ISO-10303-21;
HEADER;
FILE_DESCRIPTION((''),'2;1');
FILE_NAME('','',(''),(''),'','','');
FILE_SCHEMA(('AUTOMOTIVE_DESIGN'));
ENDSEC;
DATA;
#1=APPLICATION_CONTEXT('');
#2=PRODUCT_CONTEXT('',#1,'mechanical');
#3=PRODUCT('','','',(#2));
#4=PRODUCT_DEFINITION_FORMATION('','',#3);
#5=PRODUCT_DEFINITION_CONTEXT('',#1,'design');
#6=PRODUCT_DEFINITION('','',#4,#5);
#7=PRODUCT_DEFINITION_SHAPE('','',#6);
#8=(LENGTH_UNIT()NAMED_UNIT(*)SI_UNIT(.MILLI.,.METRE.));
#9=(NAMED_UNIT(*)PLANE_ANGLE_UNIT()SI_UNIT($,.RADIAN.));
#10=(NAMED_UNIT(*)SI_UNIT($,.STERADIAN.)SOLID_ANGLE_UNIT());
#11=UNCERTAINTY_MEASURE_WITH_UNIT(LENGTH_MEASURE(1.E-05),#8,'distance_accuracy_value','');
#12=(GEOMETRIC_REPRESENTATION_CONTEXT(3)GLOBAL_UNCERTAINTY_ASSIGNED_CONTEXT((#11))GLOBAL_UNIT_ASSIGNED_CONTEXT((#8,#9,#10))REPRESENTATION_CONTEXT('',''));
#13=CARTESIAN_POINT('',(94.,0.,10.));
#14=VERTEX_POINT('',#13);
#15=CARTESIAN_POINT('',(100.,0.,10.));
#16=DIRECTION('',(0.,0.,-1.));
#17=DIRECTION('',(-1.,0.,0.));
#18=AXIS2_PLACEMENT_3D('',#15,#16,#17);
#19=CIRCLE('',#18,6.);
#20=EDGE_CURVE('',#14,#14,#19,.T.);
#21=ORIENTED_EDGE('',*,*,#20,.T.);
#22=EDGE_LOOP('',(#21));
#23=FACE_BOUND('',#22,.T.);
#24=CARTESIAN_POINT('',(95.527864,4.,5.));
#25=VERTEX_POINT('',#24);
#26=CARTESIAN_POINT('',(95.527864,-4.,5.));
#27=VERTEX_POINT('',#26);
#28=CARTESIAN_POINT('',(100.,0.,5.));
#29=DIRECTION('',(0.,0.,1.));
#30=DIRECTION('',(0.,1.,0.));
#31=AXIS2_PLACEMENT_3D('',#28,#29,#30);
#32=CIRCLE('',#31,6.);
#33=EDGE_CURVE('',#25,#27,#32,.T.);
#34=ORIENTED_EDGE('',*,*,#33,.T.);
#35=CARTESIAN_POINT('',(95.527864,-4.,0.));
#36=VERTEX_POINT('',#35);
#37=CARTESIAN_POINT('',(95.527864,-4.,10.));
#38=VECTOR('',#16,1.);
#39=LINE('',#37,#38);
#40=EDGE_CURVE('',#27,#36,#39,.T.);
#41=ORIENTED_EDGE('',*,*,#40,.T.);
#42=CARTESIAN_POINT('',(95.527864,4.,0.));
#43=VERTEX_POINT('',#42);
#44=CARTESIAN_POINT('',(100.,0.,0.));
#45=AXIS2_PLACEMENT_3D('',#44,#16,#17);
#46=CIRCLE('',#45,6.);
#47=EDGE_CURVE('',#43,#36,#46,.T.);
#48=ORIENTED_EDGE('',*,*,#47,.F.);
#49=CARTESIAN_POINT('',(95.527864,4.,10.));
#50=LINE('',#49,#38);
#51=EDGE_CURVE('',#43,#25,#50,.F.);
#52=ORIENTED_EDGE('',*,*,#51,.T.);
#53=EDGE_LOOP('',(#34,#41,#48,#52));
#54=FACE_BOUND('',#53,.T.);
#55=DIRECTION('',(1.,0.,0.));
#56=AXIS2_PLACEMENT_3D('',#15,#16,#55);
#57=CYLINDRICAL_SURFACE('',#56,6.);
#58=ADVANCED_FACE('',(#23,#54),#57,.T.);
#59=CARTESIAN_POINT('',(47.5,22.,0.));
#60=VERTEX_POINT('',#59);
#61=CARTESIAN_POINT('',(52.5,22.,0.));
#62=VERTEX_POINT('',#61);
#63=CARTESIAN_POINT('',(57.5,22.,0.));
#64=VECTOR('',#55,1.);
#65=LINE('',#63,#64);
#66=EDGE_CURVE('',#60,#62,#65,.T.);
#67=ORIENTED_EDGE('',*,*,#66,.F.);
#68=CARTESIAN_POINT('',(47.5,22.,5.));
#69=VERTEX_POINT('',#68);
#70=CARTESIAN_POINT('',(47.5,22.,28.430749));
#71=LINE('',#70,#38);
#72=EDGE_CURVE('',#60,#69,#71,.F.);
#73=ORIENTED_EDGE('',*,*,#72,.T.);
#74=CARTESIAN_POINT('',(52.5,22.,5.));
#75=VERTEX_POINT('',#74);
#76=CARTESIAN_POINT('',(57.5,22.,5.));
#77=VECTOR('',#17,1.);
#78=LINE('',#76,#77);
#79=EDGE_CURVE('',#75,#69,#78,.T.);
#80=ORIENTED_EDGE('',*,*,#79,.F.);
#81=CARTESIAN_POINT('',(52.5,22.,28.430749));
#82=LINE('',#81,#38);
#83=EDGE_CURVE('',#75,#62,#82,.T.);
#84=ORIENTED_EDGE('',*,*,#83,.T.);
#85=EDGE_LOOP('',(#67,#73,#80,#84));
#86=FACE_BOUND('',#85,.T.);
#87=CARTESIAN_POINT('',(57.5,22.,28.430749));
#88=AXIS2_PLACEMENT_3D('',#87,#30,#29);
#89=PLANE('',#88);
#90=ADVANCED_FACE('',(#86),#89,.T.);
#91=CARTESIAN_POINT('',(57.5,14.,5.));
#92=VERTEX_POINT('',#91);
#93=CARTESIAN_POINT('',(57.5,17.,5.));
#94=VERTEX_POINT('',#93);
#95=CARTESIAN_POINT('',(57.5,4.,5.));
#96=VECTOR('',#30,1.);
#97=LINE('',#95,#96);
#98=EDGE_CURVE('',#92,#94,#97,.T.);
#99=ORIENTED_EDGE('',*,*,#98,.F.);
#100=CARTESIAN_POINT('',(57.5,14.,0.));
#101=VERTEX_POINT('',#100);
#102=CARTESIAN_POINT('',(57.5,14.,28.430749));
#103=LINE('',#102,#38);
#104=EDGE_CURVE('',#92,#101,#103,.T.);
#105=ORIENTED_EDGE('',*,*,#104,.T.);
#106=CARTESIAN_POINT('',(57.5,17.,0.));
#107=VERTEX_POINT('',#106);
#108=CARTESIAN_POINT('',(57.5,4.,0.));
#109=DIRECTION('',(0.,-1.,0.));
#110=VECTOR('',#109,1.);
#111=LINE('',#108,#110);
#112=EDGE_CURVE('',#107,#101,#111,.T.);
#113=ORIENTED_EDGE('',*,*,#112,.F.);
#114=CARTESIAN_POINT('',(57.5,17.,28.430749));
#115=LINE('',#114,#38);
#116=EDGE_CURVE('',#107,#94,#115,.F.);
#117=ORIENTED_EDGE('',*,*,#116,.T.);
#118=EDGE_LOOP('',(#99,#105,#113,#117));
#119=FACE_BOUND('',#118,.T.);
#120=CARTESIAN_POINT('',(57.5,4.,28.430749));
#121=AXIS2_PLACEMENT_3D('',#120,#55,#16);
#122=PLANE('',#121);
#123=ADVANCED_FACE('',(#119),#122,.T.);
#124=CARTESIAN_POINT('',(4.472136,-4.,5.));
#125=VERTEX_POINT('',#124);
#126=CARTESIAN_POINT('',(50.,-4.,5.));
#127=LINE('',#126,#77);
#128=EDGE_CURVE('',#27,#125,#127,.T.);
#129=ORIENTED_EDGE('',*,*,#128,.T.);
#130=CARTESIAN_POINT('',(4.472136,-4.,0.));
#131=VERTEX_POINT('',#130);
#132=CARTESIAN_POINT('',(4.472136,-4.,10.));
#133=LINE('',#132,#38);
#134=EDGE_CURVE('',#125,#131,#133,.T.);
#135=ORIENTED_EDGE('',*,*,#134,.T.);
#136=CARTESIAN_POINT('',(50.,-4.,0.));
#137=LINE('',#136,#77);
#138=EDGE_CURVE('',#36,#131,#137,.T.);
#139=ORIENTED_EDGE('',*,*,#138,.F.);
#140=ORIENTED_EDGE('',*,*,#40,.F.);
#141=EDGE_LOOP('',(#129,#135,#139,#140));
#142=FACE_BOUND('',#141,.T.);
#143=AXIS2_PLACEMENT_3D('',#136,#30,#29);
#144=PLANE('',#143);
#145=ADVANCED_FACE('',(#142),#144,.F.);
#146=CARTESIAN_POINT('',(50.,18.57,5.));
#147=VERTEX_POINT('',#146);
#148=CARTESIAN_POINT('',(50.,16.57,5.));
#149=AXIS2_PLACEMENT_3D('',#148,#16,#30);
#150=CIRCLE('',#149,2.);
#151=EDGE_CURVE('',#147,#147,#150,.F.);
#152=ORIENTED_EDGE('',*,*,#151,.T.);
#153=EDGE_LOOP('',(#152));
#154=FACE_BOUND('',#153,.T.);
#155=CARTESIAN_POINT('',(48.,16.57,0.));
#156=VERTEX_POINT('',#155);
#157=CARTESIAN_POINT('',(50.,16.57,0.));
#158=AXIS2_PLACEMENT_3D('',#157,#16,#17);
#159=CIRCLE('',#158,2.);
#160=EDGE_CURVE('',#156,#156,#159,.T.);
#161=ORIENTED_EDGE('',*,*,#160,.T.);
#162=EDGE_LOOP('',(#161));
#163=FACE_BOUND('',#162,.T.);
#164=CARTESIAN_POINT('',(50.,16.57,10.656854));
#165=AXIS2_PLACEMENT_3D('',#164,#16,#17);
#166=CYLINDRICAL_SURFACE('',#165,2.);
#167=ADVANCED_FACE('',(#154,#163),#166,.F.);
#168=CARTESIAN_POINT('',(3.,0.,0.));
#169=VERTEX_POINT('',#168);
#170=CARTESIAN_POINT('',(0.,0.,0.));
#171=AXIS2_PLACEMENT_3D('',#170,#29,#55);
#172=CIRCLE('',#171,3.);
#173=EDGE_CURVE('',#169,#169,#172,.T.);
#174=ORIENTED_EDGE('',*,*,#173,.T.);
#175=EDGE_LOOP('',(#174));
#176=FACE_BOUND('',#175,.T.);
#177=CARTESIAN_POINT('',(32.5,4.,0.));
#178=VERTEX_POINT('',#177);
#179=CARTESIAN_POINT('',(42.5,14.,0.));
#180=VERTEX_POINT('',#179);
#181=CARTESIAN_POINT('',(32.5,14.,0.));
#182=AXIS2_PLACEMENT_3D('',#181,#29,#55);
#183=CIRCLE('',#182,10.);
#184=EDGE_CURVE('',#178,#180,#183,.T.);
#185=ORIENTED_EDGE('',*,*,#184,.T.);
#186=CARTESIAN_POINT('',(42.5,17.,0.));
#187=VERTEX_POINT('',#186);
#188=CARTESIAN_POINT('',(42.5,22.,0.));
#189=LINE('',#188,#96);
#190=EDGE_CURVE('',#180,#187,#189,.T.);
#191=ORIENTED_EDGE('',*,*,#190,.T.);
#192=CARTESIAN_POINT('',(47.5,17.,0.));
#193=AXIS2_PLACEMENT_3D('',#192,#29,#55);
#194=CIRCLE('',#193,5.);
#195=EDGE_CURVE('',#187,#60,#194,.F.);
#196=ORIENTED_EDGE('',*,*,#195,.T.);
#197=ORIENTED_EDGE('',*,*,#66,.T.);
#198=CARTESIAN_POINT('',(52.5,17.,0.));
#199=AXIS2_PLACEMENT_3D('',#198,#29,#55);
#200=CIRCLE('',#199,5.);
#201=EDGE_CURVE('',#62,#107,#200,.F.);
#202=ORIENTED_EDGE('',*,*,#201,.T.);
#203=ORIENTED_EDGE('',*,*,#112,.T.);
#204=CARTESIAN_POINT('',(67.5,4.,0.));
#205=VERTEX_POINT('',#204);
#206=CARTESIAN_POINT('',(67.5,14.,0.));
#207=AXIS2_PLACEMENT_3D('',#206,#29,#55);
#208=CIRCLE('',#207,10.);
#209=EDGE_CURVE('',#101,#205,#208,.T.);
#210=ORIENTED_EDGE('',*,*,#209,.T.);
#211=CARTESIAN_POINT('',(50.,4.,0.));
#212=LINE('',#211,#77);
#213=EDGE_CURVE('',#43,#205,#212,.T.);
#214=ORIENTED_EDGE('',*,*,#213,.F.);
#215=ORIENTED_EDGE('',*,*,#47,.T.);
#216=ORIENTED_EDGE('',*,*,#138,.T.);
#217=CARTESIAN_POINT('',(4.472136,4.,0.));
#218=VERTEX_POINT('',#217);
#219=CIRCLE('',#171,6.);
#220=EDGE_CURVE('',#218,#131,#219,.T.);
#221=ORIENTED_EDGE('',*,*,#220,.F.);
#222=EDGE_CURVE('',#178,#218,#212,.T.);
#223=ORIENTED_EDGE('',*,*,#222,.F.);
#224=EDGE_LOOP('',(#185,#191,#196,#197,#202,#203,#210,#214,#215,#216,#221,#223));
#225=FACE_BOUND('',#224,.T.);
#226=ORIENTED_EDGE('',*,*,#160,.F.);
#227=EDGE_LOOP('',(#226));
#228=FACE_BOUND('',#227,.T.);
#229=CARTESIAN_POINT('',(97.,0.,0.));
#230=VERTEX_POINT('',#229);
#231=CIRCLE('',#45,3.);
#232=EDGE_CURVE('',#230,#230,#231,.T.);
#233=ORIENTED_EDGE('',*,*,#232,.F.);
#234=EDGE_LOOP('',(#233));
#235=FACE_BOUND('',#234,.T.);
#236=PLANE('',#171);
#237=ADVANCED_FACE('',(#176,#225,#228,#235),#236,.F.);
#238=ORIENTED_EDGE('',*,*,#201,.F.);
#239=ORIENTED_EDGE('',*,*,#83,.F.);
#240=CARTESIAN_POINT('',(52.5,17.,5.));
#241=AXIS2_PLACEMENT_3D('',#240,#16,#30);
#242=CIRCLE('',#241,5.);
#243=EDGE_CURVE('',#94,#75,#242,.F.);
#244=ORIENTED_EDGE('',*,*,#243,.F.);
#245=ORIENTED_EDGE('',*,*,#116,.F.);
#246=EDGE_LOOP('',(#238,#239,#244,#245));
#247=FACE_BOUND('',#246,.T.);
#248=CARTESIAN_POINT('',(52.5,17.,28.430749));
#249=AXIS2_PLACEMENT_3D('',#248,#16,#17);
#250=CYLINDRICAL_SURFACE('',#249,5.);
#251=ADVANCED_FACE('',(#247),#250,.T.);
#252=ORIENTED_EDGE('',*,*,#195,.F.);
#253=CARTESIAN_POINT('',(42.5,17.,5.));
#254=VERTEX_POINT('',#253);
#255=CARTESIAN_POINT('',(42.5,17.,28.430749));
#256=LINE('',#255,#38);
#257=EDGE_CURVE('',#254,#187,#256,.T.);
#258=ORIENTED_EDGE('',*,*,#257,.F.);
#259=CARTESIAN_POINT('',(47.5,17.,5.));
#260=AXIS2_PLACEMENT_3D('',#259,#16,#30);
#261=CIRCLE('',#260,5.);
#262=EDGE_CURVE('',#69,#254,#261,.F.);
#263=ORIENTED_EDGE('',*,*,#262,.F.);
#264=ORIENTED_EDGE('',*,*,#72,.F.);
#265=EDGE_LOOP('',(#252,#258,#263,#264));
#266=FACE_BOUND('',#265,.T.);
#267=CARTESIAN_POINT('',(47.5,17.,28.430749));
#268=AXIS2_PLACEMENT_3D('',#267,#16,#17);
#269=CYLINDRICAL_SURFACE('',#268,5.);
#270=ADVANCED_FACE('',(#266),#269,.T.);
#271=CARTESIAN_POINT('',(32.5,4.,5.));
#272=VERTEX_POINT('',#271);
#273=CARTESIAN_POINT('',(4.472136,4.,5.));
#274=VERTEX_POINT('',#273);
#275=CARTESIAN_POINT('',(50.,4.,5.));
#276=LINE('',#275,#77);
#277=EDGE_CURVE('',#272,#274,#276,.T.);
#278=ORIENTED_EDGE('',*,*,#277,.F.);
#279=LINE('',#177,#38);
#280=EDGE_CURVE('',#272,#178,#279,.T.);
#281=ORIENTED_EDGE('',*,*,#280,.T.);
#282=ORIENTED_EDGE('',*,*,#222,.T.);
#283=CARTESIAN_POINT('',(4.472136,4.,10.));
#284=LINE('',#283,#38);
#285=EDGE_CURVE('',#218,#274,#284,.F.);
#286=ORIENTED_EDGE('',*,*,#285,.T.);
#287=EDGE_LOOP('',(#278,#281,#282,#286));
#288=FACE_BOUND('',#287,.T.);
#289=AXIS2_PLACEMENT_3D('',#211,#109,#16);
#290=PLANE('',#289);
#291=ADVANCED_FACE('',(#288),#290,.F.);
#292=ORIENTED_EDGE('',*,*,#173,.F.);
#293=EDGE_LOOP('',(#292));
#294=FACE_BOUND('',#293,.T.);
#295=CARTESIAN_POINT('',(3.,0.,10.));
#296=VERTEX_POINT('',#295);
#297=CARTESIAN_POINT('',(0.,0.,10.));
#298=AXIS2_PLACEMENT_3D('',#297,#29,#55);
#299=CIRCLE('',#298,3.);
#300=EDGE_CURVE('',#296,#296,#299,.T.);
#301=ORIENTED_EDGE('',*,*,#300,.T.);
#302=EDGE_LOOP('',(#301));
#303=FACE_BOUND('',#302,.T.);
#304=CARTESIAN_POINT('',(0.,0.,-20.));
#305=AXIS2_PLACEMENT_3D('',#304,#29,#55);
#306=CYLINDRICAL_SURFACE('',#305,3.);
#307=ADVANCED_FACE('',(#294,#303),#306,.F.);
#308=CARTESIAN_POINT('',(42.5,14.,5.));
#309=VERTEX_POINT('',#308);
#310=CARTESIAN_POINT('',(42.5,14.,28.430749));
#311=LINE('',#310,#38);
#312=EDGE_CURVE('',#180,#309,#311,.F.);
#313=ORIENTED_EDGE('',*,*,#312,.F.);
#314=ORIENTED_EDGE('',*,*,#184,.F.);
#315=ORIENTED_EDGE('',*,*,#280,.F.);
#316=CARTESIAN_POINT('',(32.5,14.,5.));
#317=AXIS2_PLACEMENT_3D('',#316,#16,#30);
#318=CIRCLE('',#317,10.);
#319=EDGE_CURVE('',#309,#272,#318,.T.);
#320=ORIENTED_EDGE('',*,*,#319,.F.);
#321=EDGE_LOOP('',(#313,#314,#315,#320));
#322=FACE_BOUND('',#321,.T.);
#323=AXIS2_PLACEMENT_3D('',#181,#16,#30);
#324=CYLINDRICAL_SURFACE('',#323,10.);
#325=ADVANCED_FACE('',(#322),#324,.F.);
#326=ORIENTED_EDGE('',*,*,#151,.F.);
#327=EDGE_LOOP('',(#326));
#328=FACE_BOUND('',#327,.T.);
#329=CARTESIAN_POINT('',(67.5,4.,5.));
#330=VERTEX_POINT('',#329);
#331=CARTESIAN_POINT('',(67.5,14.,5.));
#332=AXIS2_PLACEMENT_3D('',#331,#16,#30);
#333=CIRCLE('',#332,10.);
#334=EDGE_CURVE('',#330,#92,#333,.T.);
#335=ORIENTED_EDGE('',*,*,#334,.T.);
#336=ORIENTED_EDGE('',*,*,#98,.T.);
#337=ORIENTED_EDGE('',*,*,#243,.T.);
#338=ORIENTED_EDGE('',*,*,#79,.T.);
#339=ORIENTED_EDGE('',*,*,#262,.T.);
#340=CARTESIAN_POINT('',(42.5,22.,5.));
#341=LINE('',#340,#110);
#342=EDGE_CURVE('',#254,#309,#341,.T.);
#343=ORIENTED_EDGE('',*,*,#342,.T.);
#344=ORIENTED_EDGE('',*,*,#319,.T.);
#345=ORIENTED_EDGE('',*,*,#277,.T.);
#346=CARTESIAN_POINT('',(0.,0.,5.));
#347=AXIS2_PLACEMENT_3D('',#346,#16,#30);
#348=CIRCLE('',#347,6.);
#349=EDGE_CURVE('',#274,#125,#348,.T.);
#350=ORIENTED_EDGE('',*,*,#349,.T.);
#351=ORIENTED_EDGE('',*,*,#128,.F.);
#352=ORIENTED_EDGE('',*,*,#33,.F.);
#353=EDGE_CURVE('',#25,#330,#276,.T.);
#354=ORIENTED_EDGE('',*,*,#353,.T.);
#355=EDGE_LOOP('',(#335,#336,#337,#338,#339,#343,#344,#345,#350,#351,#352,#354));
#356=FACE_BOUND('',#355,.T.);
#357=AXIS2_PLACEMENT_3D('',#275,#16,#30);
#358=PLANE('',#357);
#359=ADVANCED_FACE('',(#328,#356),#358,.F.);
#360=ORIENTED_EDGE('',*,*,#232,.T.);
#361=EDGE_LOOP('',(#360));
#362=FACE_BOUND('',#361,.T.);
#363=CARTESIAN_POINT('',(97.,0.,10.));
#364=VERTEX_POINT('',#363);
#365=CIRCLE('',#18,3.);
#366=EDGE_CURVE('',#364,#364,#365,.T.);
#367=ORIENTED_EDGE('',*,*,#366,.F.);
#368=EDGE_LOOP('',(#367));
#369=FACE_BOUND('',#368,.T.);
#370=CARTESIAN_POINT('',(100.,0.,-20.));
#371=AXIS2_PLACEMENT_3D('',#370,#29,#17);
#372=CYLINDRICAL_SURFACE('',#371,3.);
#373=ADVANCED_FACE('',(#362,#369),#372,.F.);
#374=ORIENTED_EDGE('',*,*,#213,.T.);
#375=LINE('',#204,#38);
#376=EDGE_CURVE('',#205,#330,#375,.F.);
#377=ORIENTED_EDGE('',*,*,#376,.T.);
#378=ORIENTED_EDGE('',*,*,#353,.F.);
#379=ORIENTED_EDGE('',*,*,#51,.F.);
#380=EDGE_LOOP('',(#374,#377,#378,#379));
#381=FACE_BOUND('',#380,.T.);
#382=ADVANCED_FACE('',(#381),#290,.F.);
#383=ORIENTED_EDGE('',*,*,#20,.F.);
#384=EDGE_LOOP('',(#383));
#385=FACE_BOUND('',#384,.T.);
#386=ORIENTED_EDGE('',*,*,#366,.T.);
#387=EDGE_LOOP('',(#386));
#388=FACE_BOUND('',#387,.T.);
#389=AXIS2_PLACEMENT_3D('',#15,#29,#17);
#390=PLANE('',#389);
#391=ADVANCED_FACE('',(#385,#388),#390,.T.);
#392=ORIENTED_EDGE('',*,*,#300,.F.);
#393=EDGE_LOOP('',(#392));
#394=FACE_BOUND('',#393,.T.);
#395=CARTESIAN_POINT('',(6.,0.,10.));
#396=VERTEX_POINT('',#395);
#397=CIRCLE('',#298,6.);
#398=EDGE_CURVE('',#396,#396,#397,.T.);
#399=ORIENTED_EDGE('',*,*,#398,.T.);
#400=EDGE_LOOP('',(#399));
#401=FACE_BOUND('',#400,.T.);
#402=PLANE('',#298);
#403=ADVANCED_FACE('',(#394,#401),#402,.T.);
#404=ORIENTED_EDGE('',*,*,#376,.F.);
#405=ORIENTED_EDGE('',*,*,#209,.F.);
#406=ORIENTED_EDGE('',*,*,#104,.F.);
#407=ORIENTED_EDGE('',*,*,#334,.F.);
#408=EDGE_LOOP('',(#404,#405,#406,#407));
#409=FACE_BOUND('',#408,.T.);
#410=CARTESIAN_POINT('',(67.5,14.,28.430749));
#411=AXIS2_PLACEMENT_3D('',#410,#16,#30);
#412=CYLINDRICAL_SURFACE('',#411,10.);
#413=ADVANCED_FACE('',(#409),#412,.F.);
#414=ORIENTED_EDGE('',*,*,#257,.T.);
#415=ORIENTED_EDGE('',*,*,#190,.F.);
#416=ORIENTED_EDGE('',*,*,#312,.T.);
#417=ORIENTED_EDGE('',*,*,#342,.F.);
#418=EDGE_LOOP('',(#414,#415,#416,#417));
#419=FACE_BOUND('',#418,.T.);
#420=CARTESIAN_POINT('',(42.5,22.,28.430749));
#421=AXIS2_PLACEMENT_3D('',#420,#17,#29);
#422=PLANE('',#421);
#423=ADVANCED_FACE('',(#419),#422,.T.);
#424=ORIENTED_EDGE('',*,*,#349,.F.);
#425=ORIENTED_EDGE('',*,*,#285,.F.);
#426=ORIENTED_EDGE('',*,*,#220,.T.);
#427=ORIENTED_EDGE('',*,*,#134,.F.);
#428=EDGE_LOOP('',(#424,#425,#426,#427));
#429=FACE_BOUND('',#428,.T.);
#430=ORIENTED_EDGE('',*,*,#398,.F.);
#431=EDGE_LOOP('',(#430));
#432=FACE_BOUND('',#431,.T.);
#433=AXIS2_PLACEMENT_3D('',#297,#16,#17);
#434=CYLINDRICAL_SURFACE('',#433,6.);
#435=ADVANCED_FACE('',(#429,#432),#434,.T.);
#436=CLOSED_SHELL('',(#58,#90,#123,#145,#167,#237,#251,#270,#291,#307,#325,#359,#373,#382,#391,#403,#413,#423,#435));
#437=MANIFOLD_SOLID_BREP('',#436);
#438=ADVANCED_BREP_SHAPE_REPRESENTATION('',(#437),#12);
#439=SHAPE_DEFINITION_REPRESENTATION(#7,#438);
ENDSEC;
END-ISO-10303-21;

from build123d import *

# Parameters (mm, degrees)
SKETCH_1_R          = 6
EXTRUDE_1_DEPTH     = 10
SKETCH_3_W          = 5
SKETCH_3_H          = 8
EXTRUDE_2_DEPTH     = 50
SKETCH_2_R          = 3
CUT_EXTRUDE_1_DEPTH = 30
SKETCH_14_W         = 15
SKETCH_14_H         = 18
EXTRUDE_7_DEPTH     = 5
FILLET_2_R          = 5
FILLET_3_R          = 10
SKETCH_15_R         = 2
CUT_EXTRUDE_4_DEPTH = 5


with BuildPart() as part:
    # 草图1 → 凸台-拉伸1 (new body)
    with BuildSketch(Plane.XY):
        Circle(SKETCH_1_R)
    extrude(amount=EXTRUDE_1_DEPTH)

    # 草图3 → 凸台-拉伸2 (add)
    with BuildSketch(Plane(origin=(0, 0, 0), x_dir=(0, 0, -1), z_dir=(1, 0, 0))):
        with Locations((-2.5, 0)):
            Rectangle(SKETCH_3_W, SKETCH_3_H)
    extrude(amount=EXTRUDE_2_DEPTH)

    # 草图2 → 切除-拉伸1 (cut)
    with BuildSketch(Plane.XY.offset(10)):
        Circle(SKETCH_2_R)
    extrude(amount=-CUT_EXTRUDE_1_DEPTH, mode=Mode.SUBTRACT)

    # 镜向1: part across plane


with BuildPart() as part_1:
    add(part.part)
    add(part.part.mirror(Plane.ZY.offset(-50)))

    # 草图14 → 凸台-拉伸7 (add)
    with BuildSketch(Plane(origin=(0, 0, 0), x_dir=(-1, 0, 0), z_dir=(0, 0, -1))):
        with Locations((-50, 13)):
            Rectangle(SKETCH_14_W, SKETCH_14_H)
    extrude(amount=-EXTRUDE_7_DEPTH)

    # 圆角2
    fillet_2_edges = [part_1.edges().sort_by_distance(p)[0] for p in [
        (57.5, 22, 2.5),
        (42.5, 22, 2.5),
    ]]
    fillet(fillet_2_edges, radius=FILLET_2_R)

    # 圆角3
    fillet_3_edges = [part_1.edges().sort_by_distance(p)[0] for p in [
        (42.5, 4, 2.5),
        (57.5, 4, 2.5),
    ]]
    fillet(fillet_3_edges, radius=FILLET_3_R)

    # 草图15 → 切除-拉伸4 (cut)
    with BuildSketch(Plane(origin=(0, 0, 0), x_dir=(-1, 0, 0), z_dir=(0, 0, -1))):
        with Locations((-50, 16.57)):
            Circle(SKETCH_15_R)
    extrude(amount=-CUT_EXTRUDE_4_DEPTH, mode=Mode.SUBTRACT)


solid = part_1.part
